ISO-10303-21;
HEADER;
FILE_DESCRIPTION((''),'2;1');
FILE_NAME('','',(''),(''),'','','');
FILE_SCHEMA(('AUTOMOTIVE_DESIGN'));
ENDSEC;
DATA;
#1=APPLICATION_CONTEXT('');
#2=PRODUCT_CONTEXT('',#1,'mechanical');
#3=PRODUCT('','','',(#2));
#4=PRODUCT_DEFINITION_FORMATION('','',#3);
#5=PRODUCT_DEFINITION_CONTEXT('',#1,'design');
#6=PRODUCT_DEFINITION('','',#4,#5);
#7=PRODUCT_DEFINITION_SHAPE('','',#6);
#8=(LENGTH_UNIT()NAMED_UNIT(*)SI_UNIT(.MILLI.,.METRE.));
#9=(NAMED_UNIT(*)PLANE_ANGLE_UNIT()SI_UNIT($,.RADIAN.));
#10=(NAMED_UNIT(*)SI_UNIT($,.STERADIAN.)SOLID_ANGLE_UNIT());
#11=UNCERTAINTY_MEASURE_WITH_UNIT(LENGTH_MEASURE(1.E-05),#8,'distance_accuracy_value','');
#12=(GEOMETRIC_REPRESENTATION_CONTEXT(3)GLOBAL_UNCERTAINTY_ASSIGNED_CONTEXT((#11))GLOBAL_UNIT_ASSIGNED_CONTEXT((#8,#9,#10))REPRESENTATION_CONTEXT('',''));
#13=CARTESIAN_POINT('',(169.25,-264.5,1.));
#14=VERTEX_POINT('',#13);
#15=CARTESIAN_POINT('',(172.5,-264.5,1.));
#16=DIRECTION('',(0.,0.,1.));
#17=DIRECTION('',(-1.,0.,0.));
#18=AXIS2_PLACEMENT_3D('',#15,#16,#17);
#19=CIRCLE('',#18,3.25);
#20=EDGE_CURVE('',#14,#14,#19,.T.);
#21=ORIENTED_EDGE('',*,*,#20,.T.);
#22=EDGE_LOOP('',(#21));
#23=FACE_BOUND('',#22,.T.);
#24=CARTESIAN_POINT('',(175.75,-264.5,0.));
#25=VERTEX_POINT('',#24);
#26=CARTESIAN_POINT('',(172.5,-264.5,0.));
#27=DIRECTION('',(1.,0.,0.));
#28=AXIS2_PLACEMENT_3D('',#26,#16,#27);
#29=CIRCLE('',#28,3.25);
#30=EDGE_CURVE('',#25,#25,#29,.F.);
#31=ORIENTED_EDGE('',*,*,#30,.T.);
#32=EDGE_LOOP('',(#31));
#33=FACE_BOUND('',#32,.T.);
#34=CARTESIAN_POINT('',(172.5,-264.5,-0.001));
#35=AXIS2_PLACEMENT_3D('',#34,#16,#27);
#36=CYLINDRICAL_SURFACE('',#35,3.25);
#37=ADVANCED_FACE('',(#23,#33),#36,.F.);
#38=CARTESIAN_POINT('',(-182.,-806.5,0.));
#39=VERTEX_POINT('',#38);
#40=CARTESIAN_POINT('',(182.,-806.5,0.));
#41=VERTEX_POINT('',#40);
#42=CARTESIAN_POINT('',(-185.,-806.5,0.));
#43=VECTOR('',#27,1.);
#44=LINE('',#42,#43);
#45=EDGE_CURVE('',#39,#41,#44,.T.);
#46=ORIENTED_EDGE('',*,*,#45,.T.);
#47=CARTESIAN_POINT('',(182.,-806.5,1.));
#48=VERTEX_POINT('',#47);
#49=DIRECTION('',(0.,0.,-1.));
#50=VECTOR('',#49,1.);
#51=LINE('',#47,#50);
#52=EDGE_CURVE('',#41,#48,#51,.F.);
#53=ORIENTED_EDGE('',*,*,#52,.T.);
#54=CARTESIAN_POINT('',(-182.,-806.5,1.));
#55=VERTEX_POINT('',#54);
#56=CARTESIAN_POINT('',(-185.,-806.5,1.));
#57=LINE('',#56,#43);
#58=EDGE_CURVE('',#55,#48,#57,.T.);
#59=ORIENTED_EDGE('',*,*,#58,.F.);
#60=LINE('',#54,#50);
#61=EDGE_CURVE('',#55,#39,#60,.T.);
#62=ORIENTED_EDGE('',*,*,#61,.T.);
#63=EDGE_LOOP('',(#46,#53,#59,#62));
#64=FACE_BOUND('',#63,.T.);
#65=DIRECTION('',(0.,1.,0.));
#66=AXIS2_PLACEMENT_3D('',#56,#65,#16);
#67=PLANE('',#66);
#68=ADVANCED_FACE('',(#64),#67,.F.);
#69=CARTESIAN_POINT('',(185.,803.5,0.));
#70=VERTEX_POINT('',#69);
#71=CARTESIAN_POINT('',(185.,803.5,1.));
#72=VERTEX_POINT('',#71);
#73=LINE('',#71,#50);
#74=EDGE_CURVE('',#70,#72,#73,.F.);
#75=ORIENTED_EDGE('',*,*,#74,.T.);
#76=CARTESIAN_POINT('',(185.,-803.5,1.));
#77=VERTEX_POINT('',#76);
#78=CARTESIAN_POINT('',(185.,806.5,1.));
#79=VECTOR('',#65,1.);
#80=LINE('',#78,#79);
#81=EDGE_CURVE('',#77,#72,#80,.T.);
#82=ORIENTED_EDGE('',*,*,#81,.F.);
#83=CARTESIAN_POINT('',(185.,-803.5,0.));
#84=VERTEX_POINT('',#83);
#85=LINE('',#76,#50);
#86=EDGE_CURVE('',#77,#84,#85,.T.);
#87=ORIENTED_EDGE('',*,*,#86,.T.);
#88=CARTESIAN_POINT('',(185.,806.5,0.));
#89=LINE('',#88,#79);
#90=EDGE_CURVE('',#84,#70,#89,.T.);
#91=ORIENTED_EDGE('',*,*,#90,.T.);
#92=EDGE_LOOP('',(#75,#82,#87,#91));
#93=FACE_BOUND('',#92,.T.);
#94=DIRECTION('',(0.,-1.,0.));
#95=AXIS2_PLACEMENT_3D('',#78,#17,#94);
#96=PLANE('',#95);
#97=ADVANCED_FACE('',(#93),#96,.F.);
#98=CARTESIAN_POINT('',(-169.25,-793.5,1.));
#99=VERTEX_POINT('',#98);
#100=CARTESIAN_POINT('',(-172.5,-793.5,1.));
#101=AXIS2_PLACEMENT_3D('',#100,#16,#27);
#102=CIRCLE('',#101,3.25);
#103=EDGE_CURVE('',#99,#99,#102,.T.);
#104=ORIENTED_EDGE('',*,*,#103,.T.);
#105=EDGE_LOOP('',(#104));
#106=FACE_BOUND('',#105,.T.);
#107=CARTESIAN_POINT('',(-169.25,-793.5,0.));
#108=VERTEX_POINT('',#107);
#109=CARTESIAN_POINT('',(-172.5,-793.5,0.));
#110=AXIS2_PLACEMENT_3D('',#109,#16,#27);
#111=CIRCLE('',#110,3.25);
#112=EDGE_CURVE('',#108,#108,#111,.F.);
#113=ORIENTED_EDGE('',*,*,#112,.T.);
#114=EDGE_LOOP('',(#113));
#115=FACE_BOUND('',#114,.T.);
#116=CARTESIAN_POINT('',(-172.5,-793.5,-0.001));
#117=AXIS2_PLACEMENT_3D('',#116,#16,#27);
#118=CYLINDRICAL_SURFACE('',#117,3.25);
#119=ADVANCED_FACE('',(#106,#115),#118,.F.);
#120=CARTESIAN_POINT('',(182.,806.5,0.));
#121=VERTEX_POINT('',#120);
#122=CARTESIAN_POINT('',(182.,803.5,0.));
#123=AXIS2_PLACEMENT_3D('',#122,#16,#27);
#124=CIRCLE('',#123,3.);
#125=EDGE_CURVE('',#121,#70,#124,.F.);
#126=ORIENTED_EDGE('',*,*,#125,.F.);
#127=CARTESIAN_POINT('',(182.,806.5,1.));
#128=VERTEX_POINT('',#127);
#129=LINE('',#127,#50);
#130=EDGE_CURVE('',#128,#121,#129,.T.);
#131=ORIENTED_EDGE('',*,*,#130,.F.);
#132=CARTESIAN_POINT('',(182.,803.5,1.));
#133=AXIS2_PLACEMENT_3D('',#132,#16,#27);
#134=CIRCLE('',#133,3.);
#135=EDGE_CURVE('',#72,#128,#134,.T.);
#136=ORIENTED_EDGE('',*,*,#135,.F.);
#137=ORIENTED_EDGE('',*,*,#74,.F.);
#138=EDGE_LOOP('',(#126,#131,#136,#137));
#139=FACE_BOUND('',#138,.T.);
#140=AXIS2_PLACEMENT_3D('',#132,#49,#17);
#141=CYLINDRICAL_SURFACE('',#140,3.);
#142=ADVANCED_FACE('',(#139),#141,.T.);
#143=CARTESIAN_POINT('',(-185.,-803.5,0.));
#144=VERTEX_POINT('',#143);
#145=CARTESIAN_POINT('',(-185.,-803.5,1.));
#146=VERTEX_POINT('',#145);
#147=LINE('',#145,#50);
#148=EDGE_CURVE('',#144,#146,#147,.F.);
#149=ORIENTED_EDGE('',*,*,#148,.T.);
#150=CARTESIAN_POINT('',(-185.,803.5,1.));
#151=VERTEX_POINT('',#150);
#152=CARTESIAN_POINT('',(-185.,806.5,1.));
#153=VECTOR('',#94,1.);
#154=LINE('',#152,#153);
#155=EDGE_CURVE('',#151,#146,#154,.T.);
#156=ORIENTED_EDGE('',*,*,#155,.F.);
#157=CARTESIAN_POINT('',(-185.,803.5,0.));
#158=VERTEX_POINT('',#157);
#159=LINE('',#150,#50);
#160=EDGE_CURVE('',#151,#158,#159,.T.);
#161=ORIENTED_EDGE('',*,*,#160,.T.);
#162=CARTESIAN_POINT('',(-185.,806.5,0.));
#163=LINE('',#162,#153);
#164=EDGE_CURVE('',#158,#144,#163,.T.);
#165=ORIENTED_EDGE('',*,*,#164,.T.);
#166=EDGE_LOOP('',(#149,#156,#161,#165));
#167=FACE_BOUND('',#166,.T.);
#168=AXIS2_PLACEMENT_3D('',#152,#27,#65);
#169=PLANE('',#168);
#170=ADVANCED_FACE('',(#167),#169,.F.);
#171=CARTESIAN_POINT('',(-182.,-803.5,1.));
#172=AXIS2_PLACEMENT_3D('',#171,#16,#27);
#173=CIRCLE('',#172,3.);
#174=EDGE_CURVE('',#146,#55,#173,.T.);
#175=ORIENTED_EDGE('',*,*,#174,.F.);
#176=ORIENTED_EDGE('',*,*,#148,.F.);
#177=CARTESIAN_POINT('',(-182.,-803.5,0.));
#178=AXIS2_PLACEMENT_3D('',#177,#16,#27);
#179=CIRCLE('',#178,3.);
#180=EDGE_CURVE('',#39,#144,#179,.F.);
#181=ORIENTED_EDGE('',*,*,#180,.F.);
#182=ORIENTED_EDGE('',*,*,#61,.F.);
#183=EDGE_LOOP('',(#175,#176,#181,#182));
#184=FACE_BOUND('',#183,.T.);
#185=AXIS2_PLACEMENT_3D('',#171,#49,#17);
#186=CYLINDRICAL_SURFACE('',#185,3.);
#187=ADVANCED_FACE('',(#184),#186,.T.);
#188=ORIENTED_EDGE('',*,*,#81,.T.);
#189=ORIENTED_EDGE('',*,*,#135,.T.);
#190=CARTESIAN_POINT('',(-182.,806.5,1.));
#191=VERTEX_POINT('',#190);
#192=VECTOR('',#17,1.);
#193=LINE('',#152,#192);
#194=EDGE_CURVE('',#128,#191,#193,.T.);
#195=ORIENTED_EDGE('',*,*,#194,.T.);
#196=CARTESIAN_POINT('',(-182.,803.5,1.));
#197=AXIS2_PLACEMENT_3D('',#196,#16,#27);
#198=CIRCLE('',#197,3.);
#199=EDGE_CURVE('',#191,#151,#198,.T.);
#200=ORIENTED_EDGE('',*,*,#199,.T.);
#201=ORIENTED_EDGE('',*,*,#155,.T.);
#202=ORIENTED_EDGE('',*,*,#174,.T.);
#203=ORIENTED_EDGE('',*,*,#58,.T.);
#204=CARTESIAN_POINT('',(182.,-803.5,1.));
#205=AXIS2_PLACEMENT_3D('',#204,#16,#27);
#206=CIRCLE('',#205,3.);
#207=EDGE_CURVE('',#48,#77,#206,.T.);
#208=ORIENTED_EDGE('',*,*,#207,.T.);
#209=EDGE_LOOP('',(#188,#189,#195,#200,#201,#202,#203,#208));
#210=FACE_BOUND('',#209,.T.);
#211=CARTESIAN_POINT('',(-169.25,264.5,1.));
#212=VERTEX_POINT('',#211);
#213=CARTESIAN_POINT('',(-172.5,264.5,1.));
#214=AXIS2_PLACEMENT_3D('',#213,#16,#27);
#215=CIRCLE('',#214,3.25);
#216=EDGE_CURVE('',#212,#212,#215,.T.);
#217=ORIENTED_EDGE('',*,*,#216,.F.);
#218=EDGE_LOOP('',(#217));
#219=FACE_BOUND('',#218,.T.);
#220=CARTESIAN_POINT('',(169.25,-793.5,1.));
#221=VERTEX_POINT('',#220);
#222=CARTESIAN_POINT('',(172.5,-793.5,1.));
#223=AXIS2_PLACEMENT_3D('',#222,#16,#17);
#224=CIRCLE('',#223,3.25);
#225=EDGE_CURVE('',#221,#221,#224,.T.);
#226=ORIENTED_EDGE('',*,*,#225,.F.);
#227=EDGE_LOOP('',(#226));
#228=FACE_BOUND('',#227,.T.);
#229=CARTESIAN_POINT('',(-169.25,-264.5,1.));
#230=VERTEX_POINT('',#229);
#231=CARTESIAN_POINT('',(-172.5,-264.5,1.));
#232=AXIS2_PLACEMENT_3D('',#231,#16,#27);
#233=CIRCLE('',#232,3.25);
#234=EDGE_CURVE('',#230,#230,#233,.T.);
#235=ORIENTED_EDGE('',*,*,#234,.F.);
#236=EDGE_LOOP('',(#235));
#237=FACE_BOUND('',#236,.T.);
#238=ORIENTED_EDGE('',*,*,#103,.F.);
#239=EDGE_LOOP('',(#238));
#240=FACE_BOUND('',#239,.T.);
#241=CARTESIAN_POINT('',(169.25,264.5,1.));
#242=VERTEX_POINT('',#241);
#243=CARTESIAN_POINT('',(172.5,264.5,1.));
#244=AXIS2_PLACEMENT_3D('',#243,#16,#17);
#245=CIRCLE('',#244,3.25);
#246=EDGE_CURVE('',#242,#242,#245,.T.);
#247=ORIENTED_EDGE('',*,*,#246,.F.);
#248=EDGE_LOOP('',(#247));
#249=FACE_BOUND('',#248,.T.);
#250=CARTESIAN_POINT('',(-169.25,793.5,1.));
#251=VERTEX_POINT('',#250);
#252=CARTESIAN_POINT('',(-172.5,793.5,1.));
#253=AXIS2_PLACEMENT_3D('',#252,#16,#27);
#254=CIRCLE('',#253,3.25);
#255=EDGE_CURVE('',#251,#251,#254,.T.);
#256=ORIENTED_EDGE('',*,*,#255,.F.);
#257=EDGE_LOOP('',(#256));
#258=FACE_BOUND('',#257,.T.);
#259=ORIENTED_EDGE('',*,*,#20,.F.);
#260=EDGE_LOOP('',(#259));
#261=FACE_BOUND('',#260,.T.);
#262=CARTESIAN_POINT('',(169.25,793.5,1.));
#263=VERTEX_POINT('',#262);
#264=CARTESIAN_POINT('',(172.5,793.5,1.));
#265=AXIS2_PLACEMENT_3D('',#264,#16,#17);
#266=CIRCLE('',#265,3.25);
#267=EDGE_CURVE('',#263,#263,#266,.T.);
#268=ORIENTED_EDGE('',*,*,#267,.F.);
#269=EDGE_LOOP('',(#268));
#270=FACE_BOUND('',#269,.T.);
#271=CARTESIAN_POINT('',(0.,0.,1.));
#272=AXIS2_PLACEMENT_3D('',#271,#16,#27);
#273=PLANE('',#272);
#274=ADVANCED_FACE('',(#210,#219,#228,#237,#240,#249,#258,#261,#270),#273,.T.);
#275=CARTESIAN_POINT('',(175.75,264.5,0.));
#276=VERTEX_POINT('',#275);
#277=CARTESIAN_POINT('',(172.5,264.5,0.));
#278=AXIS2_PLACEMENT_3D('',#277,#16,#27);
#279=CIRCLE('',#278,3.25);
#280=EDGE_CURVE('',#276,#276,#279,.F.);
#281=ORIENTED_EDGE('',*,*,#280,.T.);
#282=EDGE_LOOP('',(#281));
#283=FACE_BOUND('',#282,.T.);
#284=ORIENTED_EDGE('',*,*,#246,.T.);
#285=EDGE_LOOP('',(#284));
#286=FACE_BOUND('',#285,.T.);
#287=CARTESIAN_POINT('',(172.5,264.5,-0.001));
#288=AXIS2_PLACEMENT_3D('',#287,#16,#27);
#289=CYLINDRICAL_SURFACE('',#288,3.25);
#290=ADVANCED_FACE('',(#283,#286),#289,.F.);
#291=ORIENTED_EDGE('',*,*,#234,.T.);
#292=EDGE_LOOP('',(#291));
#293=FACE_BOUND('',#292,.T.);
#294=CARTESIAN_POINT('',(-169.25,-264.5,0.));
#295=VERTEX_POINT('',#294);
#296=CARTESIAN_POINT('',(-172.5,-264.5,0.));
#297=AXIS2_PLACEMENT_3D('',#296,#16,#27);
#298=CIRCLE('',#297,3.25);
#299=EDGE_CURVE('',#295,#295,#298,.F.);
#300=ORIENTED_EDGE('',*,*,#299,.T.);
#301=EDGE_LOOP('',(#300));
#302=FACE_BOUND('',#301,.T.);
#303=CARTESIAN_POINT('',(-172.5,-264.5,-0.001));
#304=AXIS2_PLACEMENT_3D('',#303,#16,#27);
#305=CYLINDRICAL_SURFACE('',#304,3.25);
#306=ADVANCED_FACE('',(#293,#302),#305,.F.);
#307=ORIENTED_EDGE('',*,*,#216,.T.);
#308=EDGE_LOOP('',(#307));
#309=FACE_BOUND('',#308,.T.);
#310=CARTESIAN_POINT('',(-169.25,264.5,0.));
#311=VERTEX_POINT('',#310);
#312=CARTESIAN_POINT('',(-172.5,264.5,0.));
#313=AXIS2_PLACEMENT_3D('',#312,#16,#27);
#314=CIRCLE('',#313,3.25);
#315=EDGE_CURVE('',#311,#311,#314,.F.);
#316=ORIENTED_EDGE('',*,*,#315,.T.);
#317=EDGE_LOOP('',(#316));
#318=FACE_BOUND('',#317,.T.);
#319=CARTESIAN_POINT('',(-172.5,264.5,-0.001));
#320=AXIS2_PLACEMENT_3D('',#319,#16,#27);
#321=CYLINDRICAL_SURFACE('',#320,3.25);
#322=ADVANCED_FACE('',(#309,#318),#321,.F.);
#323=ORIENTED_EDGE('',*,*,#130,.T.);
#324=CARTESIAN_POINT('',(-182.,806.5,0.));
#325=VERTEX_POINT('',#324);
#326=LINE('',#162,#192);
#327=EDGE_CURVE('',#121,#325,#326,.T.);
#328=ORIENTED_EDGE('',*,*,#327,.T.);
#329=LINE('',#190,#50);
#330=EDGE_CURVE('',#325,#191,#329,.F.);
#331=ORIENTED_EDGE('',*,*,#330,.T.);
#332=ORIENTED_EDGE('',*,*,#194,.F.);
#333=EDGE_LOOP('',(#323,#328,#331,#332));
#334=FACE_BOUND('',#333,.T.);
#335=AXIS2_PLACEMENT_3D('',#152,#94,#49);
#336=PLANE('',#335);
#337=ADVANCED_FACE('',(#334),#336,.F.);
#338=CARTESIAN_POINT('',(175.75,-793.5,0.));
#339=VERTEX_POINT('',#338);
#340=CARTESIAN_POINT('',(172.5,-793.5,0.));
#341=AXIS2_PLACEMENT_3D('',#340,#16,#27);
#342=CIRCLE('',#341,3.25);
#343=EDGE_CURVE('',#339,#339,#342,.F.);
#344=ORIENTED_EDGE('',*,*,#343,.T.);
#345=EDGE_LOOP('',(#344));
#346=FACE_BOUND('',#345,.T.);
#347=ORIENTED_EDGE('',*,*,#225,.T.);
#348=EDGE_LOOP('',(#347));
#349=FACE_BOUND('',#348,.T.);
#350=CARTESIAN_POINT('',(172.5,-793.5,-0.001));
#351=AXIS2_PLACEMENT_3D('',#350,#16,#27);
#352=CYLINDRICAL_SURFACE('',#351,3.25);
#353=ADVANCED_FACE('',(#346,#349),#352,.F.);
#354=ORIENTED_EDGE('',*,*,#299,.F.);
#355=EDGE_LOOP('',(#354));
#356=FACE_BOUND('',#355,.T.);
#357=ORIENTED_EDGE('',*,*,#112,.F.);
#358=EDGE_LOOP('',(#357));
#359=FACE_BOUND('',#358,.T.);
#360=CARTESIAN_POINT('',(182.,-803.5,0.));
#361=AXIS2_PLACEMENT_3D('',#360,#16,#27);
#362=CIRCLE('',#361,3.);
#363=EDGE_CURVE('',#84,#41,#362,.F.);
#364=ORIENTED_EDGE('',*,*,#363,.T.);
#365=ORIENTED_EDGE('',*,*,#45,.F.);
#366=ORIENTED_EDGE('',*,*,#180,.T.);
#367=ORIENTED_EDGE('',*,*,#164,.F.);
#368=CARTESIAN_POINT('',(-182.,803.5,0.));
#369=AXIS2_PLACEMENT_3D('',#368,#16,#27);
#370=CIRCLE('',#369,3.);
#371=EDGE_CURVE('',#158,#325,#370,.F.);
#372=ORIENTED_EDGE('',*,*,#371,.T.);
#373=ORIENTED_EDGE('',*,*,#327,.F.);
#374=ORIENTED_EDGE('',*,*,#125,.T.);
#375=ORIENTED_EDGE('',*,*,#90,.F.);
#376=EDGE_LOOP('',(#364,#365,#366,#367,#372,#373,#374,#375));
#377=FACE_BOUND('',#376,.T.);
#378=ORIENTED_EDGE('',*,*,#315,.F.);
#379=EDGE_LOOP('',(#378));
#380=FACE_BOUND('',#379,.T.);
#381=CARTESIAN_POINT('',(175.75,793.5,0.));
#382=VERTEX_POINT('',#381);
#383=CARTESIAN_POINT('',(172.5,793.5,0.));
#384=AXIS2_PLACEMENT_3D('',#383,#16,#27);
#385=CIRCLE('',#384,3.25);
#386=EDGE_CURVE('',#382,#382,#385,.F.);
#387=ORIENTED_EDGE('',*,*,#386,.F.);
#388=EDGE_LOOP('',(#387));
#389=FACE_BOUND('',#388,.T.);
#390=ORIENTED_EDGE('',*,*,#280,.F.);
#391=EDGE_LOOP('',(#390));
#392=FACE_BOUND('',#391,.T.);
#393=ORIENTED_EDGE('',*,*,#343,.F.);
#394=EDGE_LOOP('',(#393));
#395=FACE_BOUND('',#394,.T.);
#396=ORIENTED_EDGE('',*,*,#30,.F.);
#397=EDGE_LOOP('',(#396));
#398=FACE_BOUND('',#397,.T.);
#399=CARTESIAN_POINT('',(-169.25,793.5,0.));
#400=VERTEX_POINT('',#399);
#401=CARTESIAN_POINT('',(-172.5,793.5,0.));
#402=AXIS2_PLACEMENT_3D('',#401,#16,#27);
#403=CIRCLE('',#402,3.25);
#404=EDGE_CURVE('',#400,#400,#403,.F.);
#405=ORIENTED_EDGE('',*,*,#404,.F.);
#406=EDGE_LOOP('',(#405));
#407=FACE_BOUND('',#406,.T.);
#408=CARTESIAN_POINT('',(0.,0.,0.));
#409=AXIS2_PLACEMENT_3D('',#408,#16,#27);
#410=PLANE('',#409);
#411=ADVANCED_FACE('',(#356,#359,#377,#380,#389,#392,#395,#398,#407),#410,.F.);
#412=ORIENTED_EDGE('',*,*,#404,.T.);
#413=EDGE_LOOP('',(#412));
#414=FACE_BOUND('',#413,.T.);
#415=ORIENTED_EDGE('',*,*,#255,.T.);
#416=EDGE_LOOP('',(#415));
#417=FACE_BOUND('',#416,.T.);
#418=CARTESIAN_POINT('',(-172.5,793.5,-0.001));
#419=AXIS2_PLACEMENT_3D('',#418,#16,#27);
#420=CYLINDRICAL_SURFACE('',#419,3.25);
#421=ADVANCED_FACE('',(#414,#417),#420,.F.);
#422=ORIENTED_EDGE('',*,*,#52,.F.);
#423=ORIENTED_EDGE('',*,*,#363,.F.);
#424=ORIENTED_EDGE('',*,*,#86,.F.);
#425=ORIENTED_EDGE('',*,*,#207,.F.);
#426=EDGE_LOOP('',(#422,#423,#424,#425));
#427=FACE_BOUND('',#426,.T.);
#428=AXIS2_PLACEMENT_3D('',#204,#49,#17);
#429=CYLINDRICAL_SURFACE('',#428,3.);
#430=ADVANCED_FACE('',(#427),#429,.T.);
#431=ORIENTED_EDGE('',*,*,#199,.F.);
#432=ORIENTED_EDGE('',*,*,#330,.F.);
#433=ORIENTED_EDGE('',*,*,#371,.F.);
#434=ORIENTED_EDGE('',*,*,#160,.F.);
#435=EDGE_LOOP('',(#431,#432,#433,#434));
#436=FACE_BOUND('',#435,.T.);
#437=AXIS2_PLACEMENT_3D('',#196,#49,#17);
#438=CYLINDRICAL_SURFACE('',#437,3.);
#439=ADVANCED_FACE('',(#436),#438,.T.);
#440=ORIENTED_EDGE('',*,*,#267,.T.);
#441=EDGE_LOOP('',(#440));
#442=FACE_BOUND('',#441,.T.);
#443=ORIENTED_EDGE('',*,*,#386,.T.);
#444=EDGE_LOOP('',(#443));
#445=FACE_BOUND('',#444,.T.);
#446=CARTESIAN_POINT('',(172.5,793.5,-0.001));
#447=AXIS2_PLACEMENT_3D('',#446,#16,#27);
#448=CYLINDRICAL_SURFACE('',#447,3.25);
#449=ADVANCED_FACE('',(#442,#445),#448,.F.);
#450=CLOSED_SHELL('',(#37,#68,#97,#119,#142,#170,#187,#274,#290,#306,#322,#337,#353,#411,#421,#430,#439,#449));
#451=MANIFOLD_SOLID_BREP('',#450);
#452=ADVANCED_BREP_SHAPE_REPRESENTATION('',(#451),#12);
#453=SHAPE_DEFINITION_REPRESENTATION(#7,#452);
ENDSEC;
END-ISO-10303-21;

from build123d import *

# Parameters (mm, degrees)
SKETCH1_W           = 370
SKETCH1_H           = 1613
BOSS_EXTRUDE1_DEPTH = 1
SKETCH2_R           = 3.25
CUT_EXTRUDE1_DEPTH  = 1
LPATTERN1_COUNT     = 4
LPATTERN1_PITCH     = 529
FILLET1_R           = 3


with BuildPart() as part:
    # Sketch1 → Boss-Extrude1 (new body)
    with BuildSketch(Plane.XY):
        Rectangle(SKETCH1_W, SKETCH1_H)
    extrude(amount=BOSS_EXTRUDE1_DEPTH)

    # Sketch2 → Cut-Extrude1 (cut)
    with BuildSketch(Plane.XY.offset(1)):
        with Locations((-172.5, -793.5)):
            Circle(SKETCH2_R)
        with Locations((172.5, -793.5)):
            Circle(SKETCH2_R)
    cut_extrude1 = extrude(amount=-CUT_EXTRUDE1_DEPTH, mode=Mode.SUBTRACT)

    # LPattern1: Cut-Extrude1 ×4
    with Locations(*[(0, i * LPATTERN1_PITCH, 0) for i in range(1, LPATTERN1_COUNT)]):
        add(cut_extrude1, mode=Mode.SUBTRACT)

    # Fillet1
    fillet1_edges = [part.edges().sort_by_distance(p)[0] for p in [
        (185, -806.5, 0.5),
        (-185, -806.5, 0.5),
        (-185, 806.5, 0.5),
        (185, 806.5, 0.5),
    ]]
    fillet(fillet1_edges, radius=FILLET1_R)


solid = part.part
